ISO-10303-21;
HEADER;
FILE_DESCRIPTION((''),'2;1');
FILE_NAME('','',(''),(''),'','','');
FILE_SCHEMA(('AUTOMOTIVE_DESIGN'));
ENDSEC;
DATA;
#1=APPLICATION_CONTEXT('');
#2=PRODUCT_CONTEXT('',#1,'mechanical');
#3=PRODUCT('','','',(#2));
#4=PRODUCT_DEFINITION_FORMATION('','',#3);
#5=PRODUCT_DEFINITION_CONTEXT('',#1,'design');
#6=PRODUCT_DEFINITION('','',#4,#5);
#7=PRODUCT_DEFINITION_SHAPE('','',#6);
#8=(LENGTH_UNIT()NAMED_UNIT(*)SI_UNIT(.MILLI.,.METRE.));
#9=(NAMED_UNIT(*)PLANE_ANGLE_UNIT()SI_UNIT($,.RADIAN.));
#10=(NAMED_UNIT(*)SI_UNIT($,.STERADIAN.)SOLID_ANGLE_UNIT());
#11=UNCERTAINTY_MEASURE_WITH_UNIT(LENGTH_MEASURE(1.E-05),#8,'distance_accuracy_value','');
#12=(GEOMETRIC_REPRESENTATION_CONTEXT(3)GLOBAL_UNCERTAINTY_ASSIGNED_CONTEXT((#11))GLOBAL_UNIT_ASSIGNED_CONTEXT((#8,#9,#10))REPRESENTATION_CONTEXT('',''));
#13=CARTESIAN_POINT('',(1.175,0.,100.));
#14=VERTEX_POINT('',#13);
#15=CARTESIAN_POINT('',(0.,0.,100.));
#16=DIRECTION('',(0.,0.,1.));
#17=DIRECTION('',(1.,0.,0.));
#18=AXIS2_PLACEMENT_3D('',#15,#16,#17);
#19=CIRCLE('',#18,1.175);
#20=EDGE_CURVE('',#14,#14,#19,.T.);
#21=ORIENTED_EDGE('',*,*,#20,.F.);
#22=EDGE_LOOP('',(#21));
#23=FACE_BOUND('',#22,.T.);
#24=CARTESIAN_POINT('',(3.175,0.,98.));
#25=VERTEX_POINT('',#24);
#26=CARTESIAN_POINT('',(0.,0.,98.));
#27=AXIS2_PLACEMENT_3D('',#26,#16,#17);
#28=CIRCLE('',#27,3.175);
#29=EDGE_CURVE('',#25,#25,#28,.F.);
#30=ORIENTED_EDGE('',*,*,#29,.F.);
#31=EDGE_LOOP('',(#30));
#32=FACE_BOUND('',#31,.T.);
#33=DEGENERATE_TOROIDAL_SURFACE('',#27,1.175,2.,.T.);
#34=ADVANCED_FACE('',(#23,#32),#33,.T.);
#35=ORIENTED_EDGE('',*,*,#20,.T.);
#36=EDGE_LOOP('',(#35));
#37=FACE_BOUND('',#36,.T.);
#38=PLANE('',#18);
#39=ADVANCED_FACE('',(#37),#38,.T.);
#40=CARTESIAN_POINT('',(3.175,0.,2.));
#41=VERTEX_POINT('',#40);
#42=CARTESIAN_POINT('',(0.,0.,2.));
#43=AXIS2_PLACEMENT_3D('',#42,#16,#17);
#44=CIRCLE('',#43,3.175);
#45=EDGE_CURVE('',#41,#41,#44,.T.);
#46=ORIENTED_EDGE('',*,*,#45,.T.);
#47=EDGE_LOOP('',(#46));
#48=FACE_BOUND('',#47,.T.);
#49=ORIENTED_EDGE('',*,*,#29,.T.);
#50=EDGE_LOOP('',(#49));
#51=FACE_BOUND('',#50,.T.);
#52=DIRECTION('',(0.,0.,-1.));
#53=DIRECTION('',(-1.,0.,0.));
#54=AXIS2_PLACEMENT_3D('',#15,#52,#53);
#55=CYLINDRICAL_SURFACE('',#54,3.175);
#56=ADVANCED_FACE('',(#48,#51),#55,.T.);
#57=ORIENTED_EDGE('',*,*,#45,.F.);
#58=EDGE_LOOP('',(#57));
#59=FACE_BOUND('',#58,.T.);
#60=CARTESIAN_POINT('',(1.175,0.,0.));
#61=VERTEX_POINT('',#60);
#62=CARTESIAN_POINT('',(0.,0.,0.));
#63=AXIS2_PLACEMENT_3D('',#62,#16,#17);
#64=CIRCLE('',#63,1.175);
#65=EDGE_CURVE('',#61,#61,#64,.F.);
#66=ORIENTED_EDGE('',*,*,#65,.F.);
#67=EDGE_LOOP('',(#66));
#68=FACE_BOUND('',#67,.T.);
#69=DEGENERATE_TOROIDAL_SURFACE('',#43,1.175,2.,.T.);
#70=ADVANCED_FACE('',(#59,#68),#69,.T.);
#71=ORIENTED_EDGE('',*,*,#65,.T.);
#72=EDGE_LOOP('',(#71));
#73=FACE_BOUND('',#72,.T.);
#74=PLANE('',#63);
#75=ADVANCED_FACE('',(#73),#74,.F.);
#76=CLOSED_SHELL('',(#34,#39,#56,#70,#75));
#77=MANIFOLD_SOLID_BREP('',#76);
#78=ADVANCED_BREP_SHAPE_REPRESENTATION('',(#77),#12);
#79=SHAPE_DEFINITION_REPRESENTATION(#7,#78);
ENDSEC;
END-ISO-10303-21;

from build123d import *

# Parameters (mm, degrees)
SKETCH1_R           = 3.175
BOSS_EXTRUDE1_DEPTH = 100
FILLET1_R           = 2


with BuildPart() as part:
    # Sketch1 → Boss-Extrude1 (new body)
    with BuildSketch(Plane.XY):
        Circle(SKETCH1_R)
    extrude(amount=BOSS_EXTRUDE1_DEPTH)

    # Fillet1
    fillet1_edges = [part.edges().sort_by_distance(p)[0] for p in [
        (-3.175, 0, 0),
        (-3.175, 0, 100),
    ]]
    fillet(fillet1_edges, radius=FILLET1_R)


solid = part.part
